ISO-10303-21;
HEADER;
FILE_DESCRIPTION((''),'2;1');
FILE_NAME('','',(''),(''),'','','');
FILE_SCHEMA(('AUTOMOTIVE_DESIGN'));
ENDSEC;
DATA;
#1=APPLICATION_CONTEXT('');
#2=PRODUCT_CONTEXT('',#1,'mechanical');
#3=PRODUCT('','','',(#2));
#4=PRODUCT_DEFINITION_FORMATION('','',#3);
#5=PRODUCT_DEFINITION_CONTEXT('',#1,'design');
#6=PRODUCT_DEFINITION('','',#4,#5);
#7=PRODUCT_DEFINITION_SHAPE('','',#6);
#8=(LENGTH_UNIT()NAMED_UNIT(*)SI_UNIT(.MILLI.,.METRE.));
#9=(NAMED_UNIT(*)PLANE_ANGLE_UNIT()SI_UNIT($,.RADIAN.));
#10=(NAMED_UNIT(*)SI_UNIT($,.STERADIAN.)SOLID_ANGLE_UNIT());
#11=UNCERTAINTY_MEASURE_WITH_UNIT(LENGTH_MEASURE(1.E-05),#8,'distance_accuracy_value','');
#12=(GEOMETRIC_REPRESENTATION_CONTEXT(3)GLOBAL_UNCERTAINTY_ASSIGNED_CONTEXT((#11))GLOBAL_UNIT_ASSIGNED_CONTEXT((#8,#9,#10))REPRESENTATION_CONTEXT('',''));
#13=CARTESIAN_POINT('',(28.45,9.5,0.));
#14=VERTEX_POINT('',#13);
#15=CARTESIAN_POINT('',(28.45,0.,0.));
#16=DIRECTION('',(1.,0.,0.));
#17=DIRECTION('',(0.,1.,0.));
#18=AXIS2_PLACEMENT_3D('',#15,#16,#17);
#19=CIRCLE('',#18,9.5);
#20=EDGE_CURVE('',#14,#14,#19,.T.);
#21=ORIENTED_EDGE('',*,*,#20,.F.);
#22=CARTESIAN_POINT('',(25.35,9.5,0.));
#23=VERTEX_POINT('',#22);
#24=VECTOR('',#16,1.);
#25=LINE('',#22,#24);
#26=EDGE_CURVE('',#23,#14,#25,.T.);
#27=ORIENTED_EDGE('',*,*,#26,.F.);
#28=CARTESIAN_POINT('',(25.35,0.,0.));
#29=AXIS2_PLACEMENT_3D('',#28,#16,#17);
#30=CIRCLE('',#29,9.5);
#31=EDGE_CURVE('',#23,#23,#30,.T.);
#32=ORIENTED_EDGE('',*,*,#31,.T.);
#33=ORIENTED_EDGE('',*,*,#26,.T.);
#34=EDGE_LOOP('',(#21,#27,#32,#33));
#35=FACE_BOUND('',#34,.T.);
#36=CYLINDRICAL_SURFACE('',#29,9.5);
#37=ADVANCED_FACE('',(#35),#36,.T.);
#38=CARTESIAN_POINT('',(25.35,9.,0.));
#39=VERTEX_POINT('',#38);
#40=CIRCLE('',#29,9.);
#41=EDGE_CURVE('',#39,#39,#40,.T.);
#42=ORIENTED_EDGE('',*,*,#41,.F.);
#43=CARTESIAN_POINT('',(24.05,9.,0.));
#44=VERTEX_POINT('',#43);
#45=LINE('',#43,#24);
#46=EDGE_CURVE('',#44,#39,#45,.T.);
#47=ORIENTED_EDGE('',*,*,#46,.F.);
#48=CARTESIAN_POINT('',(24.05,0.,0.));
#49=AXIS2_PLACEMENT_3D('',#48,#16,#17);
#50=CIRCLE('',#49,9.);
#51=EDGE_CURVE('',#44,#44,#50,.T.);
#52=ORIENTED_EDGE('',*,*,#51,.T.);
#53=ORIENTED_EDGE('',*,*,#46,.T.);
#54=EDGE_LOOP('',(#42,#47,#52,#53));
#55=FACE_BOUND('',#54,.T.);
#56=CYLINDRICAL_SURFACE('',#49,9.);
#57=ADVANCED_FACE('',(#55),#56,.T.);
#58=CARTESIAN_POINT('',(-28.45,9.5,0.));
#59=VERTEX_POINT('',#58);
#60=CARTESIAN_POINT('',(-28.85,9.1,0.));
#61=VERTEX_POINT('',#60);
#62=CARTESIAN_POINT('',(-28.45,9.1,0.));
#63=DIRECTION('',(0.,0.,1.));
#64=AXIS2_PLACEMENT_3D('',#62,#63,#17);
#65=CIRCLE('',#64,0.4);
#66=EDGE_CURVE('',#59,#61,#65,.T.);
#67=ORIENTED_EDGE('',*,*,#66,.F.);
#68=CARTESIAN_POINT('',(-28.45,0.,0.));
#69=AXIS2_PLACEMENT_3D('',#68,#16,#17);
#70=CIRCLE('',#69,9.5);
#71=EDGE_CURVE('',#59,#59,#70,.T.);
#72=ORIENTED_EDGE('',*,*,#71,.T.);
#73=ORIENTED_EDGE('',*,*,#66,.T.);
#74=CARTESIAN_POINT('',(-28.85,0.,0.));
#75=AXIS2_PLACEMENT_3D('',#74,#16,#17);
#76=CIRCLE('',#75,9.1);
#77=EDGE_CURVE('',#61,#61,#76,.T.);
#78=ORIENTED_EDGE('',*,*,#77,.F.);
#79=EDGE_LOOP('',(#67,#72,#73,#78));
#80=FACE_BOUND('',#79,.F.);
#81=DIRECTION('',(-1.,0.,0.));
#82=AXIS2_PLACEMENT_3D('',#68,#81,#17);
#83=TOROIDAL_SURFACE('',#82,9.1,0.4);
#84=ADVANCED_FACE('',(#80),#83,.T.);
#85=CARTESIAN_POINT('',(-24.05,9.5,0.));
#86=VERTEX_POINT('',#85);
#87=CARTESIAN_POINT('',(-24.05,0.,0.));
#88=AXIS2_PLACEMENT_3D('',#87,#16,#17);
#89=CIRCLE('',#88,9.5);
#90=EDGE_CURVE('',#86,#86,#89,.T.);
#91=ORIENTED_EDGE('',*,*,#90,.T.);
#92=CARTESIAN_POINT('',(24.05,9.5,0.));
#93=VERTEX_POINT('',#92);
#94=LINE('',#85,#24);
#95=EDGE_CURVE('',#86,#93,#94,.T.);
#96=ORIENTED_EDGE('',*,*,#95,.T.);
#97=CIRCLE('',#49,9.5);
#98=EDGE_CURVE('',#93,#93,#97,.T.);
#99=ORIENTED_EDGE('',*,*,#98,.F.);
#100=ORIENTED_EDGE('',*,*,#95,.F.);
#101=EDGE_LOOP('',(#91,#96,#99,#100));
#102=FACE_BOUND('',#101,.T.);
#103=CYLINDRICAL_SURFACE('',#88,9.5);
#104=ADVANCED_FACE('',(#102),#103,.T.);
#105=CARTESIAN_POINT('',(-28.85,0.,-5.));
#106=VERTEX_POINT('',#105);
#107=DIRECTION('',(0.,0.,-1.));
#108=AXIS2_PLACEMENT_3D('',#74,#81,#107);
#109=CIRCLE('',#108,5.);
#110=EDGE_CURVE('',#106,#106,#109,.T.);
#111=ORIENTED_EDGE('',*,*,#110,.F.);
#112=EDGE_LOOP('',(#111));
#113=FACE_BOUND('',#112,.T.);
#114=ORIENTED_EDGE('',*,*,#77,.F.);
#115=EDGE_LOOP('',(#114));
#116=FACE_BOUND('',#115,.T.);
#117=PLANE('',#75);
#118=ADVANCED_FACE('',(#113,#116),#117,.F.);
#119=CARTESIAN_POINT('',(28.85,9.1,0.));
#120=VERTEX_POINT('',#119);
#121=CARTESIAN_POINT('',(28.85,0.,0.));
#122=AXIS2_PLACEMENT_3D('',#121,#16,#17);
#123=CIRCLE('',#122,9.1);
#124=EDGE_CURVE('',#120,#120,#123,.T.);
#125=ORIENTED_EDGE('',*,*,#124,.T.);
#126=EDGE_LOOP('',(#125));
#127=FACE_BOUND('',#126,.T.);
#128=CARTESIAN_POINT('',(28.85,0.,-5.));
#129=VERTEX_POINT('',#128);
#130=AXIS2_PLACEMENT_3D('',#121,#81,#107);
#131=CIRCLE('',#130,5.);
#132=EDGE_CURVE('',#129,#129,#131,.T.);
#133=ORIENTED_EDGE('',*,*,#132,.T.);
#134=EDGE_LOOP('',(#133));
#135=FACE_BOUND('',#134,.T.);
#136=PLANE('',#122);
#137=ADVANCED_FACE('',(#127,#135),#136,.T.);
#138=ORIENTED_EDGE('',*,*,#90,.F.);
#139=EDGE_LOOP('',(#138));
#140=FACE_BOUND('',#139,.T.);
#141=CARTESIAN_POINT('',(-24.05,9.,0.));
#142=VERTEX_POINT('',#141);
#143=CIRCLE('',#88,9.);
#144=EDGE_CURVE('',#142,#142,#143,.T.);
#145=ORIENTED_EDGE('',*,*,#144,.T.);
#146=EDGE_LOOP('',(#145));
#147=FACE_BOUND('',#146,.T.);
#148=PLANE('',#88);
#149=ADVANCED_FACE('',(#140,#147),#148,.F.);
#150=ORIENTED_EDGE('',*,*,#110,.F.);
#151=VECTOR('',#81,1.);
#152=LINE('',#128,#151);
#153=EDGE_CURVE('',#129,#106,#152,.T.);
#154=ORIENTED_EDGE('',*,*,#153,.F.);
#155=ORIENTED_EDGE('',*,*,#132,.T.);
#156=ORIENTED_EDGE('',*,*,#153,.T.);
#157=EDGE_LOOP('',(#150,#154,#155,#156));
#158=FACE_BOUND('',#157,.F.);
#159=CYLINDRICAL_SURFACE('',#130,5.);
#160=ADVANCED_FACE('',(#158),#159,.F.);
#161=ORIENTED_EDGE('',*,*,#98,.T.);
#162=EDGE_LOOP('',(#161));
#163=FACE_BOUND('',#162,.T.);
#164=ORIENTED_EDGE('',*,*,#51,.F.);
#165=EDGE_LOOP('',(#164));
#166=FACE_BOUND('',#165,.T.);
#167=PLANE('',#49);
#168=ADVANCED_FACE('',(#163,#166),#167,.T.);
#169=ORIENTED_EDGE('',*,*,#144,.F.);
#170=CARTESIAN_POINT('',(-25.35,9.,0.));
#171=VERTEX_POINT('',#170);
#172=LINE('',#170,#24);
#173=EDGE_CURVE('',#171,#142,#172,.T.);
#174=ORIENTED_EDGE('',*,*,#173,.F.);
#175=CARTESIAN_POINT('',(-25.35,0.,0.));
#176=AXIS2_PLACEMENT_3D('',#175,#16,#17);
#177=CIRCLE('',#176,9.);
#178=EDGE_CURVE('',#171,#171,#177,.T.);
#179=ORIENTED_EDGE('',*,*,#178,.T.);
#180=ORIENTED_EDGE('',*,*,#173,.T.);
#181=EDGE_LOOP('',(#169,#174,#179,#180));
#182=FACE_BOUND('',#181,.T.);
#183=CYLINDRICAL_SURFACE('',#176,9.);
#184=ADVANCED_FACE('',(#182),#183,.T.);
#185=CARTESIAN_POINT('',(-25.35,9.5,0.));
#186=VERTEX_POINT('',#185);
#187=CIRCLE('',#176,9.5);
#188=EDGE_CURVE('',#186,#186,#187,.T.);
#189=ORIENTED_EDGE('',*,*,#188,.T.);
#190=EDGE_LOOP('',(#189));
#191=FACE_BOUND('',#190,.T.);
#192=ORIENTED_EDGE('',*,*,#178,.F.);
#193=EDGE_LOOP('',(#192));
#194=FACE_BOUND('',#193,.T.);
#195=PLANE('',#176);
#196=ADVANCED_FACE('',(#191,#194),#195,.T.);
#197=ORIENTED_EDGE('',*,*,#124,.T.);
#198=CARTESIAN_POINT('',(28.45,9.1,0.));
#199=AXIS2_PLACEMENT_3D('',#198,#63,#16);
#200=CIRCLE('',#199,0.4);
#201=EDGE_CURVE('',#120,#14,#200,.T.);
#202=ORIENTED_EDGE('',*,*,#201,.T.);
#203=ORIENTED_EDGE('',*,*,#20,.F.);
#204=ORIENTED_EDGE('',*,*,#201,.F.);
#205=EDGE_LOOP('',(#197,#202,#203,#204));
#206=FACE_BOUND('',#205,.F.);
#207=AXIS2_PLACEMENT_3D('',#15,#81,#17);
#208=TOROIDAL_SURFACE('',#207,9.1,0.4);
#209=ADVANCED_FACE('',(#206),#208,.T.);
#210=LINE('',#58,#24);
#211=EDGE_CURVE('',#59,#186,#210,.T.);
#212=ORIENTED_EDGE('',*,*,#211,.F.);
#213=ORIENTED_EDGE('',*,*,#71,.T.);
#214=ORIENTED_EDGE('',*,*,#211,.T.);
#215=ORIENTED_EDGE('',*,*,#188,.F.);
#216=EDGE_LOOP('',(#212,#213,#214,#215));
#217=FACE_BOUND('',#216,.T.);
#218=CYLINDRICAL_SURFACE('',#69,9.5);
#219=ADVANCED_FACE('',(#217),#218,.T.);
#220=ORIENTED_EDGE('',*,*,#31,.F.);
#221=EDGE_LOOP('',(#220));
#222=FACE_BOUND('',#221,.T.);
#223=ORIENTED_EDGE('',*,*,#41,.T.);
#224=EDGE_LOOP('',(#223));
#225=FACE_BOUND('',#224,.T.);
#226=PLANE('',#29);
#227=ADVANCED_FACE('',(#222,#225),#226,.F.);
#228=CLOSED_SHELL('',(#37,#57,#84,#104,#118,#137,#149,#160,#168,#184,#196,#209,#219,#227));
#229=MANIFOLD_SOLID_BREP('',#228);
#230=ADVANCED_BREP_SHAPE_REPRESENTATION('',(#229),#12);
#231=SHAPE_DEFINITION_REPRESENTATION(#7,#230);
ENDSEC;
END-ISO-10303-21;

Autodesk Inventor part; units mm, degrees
sketch "Sketch_1" plane through (0, 0, 0) normal (0, 0, 1) x (1, 0, 0)
  line L0 (28.85, 0) -> (-28.85, 0)
  line L1 (-28.85, 0) -> (-28.85, 9.1)
  arc A0 (-28.45, 9.5) -> (-28.85, 9.1) centre (-28.45, 9.1) ccw
  line L2 (-28.45, 9.5) -> (-25.35, 9.5)
  line L3 (-25.35, 9.5) -> (-25.35, 9)
  line L4 (-25.35, 9) -> (-24.05, 9)
  line L5 (-24.05, 9) -> (-24.05, 9.5)
  line L6 (-24.05, 9.5) -> (24.05, 9.5)
  line L7 (24.05, 9.5) -> (24.05, 9)
  line L8 (24.05, 9) -> (25.35, 9)
  line L9 (25.35, 9) -> (25.35, 9.5)
  line L10 (25.35, 9.5) -> (28.45, 9.5)
  arc A1 (28.85, 9.1) -> (28.45, 9.5) centre (28.45, 9.1) ccw
  line L11 (28.85, 9.1) -> (28.85, 0)
  line L12 (28.85, 0) -> (-28.85, 0)
revolve "Revolution1" add sketch "Sketch_1" angle 360 about axis through (28.85, 0, 0) along (1, 0, 0)
sketch "Sketch2" plane through (28.85, 0, 0) normal (1, 0, 0) x (0, 0, -1)
  point P0 (0, 0)
hole "Hole1" at (28.85, 0, 0) direction (-1, 0, 0) diameter 10 depth 57.7
ref_plane "to_housing_XY" through (0, 0, 0) normal (-1, 0, 0) x (0, 0, -1)
ref_plane "to_housing_YZ" through (0, 0, 0) normal (0, 0, -1) x (0, -1, 0)
ref_plane "to_housing_ZX" through (0, 0, 0) normal (0, -1, 0) x (-1, 0, 0)
properties part number "BUSHING_REFERENCE_DATA_FOR_LHSSW10"
